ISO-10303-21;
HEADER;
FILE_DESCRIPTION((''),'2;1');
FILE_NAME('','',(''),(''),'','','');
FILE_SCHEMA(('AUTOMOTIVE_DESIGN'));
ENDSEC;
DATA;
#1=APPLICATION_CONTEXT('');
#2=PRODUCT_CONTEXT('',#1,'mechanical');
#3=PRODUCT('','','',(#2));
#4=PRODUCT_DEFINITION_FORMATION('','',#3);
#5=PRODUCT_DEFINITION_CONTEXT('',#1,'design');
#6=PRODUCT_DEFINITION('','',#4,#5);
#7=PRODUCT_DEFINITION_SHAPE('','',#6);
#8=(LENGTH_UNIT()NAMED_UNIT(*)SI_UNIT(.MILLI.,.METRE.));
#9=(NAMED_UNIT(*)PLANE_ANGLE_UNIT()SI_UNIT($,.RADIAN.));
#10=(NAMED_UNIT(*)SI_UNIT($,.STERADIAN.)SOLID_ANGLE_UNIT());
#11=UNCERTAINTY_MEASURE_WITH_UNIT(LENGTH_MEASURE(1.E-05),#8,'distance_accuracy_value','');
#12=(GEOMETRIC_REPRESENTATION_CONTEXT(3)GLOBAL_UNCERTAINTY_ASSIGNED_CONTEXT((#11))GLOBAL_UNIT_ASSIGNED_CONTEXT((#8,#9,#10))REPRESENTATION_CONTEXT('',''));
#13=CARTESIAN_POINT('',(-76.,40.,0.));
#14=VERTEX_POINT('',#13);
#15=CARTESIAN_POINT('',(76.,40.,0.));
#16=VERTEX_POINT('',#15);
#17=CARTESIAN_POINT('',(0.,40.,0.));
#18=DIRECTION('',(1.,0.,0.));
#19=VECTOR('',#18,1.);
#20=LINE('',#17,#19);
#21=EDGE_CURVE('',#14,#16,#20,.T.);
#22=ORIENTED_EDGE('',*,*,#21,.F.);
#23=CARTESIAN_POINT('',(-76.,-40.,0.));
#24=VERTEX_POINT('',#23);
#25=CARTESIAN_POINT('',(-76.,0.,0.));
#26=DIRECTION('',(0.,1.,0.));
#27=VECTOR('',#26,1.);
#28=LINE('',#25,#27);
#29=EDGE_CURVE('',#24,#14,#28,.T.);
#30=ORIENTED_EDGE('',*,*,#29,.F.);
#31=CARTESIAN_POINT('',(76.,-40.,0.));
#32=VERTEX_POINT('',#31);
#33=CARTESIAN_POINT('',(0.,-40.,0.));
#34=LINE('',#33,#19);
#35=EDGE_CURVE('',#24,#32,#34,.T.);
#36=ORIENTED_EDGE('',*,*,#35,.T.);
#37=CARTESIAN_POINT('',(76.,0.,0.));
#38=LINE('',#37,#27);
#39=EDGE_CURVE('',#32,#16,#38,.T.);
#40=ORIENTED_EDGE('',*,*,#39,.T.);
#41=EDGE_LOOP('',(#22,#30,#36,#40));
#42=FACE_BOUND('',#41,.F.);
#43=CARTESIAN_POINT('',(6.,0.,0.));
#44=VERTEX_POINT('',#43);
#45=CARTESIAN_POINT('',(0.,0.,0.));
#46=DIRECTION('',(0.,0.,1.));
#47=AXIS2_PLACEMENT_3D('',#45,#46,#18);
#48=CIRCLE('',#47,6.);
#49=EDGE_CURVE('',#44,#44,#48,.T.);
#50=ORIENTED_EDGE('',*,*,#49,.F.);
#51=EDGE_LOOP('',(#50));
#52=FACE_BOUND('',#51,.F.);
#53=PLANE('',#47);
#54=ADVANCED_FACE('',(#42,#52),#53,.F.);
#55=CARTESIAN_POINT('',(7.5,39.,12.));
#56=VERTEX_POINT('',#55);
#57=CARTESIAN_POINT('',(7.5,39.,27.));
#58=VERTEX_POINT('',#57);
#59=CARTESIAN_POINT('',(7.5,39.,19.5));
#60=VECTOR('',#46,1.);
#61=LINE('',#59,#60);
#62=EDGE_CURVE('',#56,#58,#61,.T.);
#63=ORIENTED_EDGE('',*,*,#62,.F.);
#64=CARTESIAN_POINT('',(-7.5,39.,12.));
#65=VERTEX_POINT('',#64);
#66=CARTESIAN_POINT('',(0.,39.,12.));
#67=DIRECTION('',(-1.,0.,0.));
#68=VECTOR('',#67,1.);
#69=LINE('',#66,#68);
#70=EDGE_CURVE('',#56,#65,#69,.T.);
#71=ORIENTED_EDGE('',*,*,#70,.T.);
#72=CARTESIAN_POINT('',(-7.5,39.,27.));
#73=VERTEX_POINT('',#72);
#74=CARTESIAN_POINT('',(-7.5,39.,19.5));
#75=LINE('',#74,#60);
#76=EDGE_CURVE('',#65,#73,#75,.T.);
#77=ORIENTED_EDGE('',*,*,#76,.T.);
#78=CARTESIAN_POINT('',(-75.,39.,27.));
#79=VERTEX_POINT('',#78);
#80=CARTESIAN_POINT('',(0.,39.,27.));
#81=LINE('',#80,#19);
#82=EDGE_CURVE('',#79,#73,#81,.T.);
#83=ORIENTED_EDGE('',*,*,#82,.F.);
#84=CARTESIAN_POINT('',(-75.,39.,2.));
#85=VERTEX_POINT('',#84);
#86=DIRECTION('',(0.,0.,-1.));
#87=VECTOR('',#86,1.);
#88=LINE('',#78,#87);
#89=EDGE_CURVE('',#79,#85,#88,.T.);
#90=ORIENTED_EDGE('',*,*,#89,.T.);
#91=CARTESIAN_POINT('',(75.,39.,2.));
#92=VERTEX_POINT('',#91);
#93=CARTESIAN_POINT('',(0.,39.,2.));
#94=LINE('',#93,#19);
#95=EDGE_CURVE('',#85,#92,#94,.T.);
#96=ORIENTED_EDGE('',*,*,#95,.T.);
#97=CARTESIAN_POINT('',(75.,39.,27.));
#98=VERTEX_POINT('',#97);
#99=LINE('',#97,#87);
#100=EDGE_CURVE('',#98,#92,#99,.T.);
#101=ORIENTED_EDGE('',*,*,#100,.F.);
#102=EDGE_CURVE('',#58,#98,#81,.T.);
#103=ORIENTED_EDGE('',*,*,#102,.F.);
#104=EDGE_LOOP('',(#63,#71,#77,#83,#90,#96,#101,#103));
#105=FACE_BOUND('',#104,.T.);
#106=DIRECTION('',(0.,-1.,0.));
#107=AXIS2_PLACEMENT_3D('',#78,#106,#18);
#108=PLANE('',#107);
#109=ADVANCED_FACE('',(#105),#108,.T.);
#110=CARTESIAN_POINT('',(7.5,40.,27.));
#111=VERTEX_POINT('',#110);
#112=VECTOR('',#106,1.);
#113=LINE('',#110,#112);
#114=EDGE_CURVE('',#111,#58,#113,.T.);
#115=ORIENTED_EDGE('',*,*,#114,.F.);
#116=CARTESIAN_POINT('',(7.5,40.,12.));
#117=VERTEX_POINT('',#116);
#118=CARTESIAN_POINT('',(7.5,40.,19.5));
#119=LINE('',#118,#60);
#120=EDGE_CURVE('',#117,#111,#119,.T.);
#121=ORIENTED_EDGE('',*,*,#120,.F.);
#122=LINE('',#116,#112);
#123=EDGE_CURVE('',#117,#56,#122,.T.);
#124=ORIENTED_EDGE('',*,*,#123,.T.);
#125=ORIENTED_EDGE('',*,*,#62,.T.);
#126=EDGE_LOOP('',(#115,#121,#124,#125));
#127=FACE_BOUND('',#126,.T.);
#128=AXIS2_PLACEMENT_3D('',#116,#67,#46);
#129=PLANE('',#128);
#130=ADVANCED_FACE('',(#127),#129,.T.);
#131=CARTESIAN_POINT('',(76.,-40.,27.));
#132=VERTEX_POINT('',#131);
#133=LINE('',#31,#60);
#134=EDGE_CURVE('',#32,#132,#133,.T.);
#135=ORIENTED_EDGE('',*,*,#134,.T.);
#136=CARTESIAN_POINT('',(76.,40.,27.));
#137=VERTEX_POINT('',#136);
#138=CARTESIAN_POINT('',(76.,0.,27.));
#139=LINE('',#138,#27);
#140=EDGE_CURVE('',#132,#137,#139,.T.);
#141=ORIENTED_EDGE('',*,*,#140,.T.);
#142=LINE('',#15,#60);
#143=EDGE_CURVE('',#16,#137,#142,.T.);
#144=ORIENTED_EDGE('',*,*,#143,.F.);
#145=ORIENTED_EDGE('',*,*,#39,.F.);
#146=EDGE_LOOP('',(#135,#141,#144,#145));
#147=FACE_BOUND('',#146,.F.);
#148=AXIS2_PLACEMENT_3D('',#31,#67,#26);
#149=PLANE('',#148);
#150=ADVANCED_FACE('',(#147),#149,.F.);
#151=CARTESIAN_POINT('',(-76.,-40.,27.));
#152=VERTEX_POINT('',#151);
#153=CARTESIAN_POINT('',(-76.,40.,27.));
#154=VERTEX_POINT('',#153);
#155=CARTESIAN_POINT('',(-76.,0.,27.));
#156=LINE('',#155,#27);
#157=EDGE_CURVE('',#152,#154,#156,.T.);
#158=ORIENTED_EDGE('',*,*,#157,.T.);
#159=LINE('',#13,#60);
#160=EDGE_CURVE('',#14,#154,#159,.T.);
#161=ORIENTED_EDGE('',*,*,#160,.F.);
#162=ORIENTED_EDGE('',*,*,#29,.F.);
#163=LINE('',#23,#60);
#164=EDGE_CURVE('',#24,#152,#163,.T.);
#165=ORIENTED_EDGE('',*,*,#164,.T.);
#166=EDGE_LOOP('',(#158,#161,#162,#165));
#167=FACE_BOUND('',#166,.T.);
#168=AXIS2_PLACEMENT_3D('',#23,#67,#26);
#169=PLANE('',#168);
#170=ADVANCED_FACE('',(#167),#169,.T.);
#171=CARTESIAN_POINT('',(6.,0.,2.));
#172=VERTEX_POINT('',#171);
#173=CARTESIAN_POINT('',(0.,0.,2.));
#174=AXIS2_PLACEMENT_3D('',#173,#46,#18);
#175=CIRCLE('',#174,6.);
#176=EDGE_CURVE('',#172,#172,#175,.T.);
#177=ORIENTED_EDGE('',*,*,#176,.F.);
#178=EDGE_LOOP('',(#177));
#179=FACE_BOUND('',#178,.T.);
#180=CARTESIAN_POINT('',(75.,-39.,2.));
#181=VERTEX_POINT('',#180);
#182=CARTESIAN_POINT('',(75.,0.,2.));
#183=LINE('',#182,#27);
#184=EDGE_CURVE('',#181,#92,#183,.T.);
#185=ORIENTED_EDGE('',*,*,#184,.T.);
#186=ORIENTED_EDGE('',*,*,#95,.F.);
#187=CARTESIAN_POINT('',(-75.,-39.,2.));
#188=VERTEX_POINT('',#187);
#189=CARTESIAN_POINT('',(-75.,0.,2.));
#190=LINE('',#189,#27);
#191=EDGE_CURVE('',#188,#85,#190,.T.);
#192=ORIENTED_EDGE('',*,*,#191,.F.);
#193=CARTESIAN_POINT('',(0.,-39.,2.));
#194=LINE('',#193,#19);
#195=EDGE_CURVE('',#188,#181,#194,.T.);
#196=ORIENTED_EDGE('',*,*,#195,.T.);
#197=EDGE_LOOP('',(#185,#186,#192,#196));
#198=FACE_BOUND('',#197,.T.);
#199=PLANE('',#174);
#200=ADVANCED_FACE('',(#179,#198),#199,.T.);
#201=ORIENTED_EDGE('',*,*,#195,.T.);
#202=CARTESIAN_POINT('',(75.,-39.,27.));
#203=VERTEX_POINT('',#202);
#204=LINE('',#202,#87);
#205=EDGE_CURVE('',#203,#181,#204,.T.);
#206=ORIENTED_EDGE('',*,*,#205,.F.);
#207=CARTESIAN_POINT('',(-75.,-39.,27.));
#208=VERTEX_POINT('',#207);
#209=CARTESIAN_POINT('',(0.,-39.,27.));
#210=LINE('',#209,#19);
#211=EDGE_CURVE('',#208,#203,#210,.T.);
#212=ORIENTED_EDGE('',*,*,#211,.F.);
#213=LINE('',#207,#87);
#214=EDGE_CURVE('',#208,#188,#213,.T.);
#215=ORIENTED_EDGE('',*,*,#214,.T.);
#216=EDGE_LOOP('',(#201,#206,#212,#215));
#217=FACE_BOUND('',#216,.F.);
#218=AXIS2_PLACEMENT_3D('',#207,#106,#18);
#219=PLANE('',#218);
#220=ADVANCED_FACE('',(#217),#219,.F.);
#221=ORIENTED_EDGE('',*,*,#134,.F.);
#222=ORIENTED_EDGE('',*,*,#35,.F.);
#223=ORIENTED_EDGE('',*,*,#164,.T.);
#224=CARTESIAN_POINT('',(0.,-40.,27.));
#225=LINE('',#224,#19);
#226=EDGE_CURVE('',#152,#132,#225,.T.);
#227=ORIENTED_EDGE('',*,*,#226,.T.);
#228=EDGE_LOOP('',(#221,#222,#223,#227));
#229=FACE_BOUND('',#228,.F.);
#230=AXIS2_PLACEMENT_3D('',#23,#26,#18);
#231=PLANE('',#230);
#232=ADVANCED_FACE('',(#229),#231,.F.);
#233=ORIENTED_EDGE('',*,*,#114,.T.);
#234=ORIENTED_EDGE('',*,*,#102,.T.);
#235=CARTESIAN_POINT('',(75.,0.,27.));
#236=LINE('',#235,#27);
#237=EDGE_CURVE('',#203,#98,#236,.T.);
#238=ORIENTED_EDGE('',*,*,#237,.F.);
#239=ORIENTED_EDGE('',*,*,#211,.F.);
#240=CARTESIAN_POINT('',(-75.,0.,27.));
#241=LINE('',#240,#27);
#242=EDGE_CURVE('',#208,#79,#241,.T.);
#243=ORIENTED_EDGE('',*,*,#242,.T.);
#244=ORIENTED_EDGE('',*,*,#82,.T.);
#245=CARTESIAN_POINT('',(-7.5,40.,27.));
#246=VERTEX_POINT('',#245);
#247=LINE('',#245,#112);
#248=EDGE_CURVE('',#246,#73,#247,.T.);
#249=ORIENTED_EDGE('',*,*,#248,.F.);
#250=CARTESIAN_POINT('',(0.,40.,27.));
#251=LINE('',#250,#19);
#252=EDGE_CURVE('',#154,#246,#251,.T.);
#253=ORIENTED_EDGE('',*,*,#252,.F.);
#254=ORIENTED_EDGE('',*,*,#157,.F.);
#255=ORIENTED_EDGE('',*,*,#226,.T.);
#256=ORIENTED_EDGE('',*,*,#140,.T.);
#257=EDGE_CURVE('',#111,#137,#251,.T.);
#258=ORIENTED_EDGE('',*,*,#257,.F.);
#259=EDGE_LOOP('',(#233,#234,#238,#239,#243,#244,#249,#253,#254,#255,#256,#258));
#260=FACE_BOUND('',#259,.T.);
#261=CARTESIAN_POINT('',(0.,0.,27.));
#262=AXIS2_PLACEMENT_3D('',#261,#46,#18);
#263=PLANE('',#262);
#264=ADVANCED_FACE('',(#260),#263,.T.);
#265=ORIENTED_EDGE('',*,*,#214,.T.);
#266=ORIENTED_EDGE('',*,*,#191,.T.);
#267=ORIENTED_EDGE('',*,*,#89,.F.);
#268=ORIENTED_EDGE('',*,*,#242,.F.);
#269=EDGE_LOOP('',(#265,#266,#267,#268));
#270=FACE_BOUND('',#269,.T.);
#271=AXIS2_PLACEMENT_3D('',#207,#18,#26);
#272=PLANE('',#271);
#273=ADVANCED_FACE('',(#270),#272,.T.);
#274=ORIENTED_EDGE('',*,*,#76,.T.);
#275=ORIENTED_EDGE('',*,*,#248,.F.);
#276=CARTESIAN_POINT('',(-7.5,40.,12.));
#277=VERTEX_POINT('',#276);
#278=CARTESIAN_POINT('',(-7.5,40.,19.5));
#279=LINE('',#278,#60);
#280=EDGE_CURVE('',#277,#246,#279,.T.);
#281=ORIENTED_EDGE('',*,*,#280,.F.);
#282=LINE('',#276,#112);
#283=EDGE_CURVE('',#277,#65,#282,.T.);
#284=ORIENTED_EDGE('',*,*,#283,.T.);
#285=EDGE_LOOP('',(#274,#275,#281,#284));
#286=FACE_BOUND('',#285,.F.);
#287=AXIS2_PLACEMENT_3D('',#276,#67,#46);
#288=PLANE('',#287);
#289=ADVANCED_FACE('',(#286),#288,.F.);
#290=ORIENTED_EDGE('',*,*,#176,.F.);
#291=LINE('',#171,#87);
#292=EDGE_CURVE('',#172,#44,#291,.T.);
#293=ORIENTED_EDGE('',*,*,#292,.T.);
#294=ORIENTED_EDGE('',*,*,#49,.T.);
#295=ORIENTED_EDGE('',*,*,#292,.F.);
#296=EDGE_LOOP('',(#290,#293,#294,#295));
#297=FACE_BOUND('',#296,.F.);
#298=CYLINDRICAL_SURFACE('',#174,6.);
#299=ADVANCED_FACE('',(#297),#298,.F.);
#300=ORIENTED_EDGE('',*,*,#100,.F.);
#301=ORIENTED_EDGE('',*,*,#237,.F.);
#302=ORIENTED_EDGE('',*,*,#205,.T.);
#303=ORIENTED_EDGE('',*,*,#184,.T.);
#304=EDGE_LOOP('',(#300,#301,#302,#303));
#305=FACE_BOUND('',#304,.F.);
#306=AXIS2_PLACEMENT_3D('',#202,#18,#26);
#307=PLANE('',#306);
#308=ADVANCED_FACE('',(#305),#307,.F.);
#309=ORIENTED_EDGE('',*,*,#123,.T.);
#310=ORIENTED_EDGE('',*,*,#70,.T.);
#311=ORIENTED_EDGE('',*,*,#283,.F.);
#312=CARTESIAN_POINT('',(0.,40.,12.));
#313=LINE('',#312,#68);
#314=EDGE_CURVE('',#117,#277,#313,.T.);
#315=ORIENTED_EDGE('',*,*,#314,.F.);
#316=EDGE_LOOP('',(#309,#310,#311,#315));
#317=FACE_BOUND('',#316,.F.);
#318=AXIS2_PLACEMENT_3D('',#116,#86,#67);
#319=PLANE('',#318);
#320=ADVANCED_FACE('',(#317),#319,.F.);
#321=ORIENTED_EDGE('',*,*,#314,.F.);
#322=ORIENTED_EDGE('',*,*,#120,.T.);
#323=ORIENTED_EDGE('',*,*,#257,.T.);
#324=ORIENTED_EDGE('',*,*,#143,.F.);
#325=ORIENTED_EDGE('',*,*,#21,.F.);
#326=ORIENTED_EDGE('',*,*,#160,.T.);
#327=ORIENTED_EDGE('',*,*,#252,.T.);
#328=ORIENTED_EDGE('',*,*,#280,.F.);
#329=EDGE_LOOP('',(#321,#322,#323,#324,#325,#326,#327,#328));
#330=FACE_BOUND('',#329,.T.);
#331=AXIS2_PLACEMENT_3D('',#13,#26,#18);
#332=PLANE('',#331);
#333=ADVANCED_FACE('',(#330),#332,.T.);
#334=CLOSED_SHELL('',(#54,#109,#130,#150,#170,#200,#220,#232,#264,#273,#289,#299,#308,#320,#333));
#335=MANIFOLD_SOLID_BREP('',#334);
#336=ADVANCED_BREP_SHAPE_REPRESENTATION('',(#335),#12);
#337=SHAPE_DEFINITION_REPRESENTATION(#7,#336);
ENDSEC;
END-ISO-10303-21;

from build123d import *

# Parameters (mm, degrees)
F0_W     = 152
F0_H     = 80
F1_DEPTH = 27
F2_W     = 150
F2_H     = 78
F3_DEPTH = 25
F4_R     = 6
F5_DEPTH = 5
F6_W     = 15
F6_H     = 15
F7_DEPTH = 1


with BuildPart() as f1:
    # F0 (on Top) → F1 (new body)
    with BuildSketch(Plane.XY):
        Rectangle(F0_W, F0_H)
    extrude(amount=F1_DEPTH)

    # F2 (on face) → F3 (cut)
    with BuildSketch(Plane.XY.offset(27)):
        Rectangle(F2_W, F2_H)
    extrude(amount=-F3_DEPTH, mode=Mode.SUBTRACT)

    # F4 (on face) → F5 (cut)
    with BuildSketch(Plane.XY.offset(2)):
        Circle(F4_R)
    extrude(amount=-F5_DEPTH, mode=Mode.SUBTRACT)

    # F6 (on face) → F7 (cut)
    with BuildSketch(Plane(origin=(0, 40, 0), x_dir=(-1, 0, 0), z_dir=(0, 1, 0))):
        with Locations((0, 19.5)):
            Rectangle(F6_W, F6_H)
    extrude(amount=-F7_DEPTH, mode=Mode.SUBTRACT)


solid = f1.part
